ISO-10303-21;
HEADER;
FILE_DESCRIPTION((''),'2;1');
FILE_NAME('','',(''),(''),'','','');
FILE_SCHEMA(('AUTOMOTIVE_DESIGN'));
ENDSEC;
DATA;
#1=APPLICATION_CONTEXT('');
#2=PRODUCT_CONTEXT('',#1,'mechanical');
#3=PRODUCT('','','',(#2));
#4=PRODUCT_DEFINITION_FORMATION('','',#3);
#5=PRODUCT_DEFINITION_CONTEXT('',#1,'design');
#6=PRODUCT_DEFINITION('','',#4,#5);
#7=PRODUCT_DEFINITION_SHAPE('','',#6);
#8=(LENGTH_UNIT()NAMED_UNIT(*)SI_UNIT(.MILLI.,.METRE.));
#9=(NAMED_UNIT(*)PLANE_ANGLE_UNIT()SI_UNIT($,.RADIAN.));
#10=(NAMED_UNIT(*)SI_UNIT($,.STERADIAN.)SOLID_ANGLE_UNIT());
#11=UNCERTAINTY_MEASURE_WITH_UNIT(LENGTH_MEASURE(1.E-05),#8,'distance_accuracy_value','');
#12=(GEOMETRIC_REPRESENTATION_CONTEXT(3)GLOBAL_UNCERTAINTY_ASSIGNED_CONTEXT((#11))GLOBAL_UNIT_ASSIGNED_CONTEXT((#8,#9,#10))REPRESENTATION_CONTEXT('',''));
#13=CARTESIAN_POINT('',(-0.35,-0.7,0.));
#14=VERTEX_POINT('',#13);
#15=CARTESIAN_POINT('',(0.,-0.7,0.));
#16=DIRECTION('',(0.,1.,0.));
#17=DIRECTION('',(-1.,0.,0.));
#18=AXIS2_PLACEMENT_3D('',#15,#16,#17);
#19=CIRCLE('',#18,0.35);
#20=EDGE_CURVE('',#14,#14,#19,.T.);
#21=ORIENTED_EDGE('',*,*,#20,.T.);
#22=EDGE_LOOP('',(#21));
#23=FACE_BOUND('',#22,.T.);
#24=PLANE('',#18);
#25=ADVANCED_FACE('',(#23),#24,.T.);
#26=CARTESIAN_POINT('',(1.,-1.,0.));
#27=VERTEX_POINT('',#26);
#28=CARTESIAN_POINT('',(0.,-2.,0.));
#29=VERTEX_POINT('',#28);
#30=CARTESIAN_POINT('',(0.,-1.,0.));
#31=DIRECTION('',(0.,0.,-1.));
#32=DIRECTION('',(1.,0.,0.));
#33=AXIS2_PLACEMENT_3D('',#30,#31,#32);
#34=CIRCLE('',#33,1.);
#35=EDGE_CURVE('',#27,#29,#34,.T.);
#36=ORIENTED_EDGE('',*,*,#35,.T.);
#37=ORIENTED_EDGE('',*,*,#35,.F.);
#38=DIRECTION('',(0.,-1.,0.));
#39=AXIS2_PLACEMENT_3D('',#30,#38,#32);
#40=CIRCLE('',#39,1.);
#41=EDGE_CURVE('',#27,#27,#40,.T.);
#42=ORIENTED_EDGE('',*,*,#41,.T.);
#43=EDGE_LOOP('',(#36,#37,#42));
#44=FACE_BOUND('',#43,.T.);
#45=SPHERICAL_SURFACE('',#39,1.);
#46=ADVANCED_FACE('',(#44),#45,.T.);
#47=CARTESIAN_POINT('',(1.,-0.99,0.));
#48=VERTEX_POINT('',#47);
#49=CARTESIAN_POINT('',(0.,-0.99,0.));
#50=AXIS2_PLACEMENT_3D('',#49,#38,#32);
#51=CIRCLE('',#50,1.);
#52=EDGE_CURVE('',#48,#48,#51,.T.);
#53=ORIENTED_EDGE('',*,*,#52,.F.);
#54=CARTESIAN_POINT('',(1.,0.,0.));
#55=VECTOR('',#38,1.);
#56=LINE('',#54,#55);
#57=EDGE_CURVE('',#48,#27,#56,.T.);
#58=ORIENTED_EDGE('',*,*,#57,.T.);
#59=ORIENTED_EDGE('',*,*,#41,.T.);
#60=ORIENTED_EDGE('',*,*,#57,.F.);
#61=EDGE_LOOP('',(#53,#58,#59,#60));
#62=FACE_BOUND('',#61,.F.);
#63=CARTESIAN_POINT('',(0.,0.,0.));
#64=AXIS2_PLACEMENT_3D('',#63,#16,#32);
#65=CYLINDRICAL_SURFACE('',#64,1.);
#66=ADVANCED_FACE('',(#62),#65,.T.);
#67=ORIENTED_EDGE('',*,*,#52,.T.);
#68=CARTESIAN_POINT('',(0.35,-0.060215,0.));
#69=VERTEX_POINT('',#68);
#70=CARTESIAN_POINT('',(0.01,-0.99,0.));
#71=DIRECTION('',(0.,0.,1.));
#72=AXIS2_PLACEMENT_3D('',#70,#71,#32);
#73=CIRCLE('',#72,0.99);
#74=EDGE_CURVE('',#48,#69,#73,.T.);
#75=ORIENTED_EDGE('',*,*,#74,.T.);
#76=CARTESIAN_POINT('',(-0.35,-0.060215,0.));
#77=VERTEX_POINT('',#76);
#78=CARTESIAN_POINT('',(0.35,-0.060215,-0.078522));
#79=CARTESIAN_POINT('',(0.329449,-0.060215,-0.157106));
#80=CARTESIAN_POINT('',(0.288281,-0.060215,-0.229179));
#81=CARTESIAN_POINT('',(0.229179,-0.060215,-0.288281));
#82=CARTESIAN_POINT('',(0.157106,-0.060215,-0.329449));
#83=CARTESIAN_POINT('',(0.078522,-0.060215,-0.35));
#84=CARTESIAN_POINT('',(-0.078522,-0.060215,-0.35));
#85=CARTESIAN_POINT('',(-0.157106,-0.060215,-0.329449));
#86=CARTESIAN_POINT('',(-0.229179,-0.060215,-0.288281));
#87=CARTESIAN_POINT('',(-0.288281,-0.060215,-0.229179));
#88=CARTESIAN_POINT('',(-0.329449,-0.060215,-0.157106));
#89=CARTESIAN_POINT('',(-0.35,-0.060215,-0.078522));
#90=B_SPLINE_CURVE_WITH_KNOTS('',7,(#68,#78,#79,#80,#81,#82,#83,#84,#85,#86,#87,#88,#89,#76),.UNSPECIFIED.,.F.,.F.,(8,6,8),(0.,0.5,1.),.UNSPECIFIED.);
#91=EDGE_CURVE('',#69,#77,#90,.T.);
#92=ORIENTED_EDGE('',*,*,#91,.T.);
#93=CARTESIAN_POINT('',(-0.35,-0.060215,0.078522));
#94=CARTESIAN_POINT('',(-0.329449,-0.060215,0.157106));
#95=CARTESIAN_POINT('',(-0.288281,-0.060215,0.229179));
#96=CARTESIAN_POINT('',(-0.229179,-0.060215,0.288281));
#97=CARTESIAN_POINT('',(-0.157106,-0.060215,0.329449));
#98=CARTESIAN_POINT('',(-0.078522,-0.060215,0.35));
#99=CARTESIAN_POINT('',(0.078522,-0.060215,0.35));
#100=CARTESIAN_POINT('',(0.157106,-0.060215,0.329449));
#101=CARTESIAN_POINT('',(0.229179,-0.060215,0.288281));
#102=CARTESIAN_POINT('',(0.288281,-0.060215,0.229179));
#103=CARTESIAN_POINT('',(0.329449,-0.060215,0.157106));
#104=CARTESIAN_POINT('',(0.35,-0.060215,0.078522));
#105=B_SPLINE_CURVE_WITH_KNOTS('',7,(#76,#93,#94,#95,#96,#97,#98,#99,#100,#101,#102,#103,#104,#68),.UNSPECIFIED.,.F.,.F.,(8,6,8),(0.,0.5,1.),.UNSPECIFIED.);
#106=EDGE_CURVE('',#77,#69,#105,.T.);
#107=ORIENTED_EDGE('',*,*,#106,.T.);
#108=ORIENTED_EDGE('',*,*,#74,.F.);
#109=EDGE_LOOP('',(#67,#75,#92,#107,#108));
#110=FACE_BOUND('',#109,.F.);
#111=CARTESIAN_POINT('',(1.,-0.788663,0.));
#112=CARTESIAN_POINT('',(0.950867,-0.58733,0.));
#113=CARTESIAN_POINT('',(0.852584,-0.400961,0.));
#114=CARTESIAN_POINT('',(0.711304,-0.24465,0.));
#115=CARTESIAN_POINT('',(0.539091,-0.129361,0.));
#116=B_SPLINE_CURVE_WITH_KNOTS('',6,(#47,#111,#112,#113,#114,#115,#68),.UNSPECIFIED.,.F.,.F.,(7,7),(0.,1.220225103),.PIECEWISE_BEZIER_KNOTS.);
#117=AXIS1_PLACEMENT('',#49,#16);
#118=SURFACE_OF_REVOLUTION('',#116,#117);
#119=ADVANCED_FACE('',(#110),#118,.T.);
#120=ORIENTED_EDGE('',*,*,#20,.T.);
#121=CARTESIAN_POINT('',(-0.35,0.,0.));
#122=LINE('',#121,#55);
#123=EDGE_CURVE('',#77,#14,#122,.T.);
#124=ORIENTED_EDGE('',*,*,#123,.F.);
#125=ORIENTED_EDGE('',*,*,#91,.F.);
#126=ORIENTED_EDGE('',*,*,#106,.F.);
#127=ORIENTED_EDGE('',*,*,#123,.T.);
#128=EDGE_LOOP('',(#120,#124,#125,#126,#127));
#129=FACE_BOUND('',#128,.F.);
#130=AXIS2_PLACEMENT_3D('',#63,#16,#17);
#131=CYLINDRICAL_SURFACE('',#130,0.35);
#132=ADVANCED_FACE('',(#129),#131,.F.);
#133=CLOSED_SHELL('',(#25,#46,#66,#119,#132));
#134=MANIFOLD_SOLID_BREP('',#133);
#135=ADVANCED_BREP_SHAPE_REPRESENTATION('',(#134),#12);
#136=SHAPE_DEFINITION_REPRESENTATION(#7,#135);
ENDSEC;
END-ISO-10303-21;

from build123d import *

# Parameters (mm, degrees)
F0_R     = 1
F1_DEPTH = 2
F2_R     = 1
F3_R     = 0.99
F4_R     = 0.35
F5_DEPTH = 0.7


with BuildPart() as f1:
    # F0 (on Front) → F1 (new body)
    with BuildSketch(Plane.XZ):
        Circle(F0_R)
    extrude(amount=F1_DEPTH)

    # F2
    f2_edges = [f1.edges().sort_by_distance(p)[0] for p in [
        (-1, -2, 0),
    ]]
    fillet(f2_edges, radius=F2_R)

    # F3
    f3_edges = [f1.edges().sort_by_distance(p)[0] for p in [
        (-1, 0, 0),
    ]]
    fillet(f3_edges, radius=F3_R)

    # F4 (on face) → F5 (cut)
    with BuildSketch(Plane(origin=(0, 0, 0), x_dir=(-1, 0, 0), z_dir=(0, 1, 0))):
        Circle(F4_R)
    extrude(amount=-F5_DEPTH, mode=Mode.SUBTRACT)


solid = f1.part
